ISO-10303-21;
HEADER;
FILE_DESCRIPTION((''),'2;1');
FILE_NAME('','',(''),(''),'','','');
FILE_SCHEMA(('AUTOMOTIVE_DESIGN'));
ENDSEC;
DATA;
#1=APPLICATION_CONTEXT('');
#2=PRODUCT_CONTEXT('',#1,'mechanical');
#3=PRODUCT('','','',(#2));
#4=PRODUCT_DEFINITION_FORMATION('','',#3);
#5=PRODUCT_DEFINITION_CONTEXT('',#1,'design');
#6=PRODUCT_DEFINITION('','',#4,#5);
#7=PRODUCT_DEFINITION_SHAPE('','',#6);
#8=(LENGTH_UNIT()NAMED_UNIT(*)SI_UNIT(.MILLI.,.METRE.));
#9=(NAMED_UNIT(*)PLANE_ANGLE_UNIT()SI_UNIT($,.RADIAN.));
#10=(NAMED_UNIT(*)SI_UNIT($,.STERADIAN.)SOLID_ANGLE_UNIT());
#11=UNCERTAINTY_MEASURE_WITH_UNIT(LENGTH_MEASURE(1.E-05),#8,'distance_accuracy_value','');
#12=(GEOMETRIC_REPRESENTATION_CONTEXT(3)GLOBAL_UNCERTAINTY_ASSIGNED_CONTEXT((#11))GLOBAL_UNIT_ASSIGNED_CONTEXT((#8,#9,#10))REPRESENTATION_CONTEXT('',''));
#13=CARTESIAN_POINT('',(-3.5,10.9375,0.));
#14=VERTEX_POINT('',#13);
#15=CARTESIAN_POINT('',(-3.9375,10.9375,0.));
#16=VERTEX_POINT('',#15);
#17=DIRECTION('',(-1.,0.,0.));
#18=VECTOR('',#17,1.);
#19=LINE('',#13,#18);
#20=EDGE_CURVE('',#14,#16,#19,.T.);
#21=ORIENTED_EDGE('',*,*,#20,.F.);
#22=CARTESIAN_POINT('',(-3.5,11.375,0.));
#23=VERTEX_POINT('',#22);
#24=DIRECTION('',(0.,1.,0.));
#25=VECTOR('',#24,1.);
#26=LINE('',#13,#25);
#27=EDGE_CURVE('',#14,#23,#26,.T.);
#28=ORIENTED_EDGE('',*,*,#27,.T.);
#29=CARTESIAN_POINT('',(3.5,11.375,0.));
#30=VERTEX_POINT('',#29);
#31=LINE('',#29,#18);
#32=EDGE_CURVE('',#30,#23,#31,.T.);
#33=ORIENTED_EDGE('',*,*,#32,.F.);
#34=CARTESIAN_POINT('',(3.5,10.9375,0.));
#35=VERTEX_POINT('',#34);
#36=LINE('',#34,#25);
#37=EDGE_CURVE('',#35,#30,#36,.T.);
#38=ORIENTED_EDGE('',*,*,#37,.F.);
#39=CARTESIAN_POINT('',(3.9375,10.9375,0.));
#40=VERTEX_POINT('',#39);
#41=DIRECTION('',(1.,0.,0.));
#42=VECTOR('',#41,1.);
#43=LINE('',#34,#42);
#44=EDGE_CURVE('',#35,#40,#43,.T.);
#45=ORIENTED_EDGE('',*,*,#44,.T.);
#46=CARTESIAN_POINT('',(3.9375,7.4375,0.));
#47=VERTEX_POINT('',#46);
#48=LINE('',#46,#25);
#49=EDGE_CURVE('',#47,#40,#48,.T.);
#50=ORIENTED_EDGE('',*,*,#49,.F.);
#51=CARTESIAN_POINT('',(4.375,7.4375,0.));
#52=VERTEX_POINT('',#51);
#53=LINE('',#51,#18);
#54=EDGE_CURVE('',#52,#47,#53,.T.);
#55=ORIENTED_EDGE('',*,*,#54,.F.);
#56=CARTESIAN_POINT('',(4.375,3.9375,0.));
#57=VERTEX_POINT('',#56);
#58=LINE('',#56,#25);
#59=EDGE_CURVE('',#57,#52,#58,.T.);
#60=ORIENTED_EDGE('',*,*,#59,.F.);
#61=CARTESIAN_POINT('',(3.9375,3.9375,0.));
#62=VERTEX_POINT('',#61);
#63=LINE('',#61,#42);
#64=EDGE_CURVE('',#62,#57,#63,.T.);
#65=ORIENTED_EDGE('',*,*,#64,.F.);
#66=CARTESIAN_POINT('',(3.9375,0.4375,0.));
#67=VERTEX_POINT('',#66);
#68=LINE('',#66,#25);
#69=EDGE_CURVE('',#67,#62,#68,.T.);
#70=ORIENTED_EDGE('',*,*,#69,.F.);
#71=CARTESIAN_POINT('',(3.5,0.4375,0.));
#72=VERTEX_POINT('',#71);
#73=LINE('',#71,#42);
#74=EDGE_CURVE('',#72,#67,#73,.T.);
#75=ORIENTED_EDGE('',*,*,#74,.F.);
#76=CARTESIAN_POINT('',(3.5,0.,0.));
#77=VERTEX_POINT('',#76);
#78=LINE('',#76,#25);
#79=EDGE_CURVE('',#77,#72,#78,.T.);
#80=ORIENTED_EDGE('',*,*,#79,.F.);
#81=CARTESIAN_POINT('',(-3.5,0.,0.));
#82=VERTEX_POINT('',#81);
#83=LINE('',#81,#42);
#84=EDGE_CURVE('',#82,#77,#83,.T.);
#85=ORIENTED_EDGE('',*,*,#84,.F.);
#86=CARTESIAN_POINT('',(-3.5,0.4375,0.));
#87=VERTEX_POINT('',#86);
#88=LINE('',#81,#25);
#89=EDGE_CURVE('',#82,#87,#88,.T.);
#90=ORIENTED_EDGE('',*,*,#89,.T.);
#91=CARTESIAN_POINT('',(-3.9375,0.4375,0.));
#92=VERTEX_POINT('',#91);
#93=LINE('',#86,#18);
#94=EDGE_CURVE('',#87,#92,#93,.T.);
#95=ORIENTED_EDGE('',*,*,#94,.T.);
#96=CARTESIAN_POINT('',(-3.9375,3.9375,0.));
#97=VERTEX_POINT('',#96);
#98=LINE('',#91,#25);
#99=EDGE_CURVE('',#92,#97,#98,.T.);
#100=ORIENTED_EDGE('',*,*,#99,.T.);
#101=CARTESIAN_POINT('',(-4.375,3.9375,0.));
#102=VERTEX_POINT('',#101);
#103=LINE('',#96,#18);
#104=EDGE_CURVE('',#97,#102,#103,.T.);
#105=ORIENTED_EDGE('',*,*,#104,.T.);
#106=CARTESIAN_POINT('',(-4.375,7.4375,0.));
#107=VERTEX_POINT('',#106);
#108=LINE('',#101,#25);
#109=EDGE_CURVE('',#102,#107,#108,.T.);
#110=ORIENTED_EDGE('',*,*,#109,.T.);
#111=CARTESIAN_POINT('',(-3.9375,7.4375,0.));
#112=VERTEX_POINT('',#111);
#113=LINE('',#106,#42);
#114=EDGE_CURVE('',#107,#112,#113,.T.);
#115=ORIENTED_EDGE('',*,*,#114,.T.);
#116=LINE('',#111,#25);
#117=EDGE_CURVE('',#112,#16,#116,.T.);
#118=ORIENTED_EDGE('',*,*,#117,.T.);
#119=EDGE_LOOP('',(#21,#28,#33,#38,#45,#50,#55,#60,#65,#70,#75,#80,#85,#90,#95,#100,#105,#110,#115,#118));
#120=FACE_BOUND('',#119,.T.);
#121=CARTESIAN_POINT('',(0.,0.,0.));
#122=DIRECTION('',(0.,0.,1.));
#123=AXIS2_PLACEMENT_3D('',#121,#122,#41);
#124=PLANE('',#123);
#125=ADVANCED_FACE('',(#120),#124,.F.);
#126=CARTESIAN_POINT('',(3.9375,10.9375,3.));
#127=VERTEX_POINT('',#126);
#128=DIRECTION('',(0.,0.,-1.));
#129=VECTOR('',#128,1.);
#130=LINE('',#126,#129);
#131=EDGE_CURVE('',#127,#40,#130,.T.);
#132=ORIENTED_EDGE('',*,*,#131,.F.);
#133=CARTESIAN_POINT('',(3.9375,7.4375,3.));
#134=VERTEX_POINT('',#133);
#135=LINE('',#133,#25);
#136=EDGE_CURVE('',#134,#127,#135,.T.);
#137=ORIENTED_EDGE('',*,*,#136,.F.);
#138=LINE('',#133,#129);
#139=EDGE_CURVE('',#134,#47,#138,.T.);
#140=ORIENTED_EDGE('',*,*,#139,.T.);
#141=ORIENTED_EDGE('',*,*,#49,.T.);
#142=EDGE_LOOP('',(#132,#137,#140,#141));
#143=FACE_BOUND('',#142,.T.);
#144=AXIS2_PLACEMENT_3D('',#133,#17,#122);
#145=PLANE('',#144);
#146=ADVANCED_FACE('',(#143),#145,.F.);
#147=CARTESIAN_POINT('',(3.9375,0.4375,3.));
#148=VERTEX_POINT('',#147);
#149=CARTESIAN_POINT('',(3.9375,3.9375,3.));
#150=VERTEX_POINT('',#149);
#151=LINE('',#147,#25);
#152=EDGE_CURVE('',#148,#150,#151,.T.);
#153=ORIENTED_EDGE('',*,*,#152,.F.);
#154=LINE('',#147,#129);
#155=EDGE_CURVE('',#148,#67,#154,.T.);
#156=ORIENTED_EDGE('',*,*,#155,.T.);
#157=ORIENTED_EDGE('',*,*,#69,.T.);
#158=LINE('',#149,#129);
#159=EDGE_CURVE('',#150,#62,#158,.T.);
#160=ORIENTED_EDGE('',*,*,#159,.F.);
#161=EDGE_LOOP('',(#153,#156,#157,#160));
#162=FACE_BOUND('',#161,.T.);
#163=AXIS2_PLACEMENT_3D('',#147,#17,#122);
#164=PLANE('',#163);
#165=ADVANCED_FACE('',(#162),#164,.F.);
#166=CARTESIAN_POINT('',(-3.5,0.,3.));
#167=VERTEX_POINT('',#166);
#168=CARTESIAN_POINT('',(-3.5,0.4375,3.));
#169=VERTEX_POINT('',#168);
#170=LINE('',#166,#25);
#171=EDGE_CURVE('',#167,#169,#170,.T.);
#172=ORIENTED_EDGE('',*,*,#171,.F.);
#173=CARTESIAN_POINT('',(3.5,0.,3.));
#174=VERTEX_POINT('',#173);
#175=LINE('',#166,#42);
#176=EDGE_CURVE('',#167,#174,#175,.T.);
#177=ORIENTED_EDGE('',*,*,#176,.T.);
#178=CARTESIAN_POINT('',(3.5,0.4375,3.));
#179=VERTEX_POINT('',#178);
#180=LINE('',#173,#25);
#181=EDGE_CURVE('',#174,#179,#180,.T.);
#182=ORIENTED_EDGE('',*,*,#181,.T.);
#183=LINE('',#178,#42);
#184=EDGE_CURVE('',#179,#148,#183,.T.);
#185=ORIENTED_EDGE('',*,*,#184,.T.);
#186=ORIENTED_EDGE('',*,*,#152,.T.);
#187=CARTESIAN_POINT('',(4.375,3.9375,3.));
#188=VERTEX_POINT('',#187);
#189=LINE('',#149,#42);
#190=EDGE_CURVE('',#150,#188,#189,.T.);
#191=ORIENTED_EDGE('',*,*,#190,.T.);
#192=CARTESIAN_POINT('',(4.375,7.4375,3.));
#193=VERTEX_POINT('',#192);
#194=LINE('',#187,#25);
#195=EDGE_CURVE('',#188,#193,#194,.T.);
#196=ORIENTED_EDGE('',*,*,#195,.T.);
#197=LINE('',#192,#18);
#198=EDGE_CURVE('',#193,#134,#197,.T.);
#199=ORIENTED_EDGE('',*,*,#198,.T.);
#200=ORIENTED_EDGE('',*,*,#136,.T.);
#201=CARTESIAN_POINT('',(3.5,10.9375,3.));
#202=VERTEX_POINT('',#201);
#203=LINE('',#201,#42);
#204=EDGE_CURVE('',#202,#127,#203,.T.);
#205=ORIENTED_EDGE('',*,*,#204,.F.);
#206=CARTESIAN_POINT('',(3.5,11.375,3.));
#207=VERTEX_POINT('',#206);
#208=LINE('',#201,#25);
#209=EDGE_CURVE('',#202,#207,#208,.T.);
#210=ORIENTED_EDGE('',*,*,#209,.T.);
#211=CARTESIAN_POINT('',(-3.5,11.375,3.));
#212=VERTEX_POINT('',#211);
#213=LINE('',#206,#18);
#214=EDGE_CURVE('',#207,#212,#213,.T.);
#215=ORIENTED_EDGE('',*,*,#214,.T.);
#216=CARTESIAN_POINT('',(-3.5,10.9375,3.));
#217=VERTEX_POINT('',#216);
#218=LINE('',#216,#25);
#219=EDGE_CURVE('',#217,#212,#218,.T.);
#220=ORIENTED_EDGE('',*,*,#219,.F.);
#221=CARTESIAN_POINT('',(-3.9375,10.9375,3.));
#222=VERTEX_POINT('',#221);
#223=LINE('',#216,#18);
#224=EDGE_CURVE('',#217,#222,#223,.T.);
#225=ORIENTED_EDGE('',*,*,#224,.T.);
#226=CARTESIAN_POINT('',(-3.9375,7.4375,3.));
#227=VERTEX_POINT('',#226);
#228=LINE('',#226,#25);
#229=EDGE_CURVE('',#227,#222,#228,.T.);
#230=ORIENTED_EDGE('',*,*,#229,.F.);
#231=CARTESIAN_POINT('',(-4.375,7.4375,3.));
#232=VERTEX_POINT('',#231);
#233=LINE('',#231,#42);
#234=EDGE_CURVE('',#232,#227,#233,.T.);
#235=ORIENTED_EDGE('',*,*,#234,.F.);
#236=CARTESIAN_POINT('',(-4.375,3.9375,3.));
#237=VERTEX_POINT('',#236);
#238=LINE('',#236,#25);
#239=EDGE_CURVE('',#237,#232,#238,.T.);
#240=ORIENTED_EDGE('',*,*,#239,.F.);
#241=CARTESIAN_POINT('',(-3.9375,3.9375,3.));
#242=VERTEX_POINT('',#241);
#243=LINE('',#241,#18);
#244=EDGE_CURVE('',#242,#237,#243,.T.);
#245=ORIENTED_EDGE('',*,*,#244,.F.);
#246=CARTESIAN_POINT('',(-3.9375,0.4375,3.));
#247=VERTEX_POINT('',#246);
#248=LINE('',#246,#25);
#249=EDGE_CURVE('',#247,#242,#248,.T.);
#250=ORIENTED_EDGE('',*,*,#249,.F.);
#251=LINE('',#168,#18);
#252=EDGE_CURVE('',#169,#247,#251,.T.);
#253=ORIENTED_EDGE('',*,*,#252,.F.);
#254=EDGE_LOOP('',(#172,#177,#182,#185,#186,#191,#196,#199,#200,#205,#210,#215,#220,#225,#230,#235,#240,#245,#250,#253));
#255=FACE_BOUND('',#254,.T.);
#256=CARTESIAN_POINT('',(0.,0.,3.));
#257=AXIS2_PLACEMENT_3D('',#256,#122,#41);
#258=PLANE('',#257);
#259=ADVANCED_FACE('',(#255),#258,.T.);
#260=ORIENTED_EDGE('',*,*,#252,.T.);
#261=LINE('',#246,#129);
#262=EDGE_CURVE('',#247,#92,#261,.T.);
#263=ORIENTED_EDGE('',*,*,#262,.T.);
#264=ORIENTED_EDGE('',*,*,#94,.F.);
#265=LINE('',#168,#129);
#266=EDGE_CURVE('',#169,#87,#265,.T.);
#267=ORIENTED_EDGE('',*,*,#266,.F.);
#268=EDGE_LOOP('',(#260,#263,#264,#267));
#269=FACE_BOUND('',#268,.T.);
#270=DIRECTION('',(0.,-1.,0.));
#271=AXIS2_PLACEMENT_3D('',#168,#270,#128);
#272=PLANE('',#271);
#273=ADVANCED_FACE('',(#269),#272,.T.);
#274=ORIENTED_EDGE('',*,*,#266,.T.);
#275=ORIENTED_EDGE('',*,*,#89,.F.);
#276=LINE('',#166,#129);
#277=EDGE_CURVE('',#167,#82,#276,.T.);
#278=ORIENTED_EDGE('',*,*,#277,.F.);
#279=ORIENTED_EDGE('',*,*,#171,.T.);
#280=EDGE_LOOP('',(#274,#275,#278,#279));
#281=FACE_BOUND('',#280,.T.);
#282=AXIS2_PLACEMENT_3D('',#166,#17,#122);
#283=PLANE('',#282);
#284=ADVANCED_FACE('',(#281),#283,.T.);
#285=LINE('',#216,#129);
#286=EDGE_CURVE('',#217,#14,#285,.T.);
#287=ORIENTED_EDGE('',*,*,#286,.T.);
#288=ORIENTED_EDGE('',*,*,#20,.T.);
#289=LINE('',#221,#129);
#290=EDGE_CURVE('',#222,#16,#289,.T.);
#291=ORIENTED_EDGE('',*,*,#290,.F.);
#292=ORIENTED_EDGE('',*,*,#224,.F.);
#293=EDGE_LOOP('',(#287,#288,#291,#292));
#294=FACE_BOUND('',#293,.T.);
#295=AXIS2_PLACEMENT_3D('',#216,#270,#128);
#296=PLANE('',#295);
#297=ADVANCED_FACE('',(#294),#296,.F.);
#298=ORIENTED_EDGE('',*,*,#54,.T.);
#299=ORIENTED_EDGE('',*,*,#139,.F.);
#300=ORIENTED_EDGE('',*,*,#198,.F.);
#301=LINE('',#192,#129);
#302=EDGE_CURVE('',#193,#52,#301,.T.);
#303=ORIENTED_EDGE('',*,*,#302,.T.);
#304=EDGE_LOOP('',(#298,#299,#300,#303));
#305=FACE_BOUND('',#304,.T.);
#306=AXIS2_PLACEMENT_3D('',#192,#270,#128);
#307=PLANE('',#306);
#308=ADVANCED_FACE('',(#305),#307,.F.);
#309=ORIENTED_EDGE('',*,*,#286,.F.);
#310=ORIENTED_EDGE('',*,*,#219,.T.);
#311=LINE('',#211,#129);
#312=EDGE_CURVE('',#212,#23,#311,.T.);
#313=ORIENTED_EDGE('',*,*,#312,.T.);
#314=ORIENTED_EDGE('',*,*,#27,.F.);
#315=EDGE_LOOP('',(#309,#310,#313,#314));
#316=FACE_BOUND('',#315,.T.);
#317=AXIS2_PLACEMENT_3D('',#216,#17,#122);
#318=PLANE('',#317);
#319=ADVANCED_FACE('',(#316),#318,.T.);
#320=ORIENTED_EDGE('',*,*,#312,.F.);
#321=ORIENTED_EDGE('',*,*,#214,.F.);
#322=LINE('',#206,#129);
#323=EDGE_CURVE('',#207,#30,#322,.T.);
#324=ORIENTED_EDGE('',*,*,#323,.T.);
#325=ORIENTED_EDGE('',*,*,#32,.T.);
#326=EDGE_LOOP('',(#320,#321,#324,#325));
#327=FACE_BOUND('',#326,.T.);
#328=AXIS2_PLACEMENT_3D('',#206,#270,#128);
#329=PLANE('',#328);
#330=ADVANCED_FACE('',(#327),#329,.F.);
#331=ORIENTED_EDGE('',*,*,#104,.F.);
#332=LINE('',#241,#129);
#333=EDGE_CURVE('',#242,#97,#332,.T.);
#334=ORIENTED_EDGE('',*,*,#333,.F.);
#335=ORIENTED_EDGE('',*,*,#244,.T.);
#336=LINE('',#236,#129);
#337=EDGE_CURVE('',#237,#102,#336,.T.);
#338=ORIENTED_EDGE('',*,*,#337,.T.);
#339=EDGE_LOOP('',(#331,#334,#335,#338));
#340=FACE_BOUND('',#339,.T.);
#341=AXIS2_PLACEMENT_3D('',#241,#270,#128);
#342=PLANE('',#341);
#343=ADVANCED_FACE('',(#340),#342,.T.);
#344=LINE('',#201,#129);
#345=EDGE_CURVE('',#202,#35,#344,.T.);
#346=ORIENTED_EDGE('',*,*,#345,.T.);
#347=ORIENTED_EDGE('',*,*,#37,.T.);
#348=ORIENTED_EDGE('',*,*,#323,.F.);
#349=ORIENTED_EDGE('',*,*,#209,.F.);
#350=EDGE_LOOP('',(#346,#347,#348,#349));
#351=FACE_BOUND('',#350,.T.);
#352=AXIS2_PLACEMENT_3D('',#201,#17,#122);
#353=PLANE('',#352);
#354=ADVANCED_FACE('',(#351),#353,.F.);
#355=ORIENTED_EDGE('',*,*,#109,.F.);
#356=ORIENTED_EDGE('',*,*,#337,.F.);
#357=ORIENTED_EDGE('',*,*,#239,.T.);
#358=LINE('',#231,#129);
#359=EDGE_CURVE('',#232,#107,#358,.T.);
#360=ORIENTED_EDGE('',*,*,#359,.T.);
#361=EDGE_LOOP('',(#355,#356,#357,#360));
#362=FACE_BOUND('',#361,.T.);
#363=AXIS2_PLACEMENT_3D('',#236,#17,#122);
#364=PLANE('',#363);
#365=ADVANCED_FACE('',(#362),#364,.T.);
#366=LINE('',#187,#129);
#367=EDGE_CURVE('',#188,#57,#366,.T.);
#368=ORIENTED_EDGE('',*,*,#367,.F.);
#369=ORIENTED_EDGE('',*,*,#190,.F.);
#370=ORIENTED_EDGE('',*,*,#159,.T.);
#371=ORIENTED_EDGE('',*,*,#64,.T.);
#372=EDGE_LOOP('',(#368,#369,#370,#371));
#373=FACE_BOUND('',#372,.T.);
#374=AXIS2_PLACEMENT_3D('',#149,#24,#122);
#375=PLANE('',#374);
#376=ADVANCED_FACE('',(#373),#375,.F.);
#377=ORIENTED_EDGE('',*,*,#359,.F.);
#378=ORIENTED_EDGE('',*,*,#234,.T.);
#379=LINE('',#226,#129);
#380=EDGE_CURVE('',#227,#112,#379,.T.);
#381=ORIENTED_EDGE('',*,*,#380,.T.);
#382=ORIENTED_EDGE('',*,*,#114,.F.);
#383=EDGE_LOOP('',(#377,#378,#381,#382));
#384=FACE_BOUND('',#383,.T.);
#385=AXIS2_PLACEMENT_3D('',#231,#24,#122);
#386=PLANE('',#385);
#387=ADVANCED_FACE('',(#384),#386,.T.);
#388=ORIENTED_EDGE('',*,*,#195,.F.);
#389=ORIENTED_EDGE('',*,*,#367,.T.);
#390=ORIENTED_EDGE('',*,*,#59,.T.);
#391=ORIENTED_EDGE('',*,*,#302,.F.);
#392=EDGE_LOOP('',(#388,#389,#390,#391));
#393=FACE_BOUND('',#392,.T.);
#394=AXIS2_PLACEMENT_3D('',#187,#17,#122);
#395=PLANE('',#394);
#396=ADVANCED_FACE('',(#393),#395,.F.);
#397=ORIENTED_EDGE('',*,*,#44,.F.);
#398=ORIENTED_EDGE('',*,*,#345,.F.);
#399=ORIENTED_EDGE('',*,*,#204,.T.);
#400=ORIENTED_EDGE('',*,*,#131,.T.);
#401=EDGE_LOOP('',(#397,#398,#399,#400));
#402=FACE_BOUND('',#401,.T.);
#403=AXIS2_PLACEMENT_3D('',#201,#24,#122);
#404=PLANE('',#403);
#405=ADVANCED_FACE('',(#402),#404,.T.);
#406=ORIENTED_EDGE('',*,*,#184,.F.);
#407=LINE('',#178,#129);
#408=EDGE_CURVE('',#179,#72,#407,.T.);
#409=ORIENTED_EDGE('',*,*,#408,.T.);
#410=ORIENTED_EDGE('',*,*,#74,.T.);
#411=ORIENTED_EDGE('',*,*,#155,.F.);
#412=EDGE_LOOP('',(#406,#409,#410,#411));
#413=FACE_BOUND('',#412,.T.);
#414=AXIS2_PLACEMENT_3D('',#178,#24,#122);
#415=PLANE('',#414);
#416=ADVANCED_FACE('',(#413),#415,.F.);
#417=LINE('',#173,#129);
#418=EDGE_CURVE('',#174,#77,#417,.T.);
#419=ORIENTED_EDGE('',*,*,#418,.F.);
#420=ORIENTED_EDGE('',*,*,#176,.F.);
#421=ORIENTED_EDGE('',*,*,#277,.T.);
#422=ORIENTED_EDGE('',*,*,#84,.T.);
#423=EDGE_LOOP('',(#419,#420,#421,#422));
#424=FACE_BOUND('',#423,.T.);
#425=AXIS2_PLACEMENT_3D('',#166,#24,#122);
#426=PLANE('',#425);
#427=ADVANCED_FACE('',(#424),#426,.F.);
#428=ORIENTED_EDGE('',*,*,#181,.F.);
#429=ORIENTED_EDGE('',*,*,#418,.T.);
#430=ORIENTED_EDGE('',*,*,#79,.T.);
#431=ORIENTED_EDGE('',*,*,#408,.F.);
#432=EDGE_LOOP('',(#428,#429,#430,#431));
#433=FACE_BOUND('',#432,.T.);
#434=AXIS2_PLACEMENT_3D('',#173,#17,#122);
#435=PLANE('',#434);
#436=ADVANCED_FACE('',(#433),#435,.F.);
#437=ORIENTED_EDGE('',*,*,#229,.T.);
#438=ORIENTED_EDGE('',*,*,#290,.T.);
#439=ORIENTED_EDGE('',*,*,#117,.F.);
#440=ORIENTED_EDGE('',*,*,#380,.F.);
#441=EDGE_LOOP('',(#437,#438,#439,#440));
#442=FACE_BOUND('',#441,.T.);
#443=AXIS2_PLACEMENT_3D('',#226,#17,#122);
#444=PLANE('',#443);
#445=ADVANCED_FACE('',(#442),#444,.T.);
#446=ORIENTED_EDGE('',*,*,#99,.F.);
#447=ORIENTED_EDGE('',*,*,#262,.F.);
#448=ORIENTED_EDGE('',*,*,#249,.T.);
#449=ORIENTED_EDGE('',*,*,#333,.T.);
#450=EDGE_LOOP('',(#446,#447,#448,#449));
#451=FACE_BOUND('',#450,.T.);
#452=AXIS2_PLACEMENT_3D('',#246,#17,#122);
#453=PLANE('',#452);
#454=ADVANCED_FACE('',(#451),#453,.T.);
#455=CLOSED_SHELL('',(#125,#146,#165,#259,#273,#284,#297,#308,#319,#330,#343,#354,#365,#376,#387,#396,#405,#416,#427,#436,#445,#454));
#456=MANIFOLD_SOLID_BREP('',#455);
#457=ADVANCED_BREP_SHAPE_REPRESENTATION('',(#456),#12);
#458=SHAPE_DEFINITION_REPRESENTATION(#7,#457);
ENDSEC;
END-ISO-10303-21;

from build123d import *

# Parameters (mm, degrees)
BOSS_EXTRUDE1_DEPTH = 3


with BuildPart() as part:
    # Sketch1 → Boss-Extrude1 (new body)
    with BuildSketch(Plane.XY):
        Polygon((-3.5, 0), (3.5, 0), (3.5, 0.4375), (3.9375, 0.4375), (3.9375, 3.9375), (4.375, 3.9375), (4.375, 7.4375), (3.9375, 7.4375), (3.9375, 10.9375), (3.5, 10.9375), (3.5, 11.375), (-3.5, 11.375), (-3.5, 10.9375), (-3.9375, 10.9375), (-3.9375, 7.4375), (-4.375, 7.4375), (-4.375, 3.9375), (-3.9375, 3.9375), (-3.9375, 0.4375), (-3.5, 0.4375), align=None)
    extrude(amount=BOSS_EXTRUDE1_DEPTH)


solid = part.part
